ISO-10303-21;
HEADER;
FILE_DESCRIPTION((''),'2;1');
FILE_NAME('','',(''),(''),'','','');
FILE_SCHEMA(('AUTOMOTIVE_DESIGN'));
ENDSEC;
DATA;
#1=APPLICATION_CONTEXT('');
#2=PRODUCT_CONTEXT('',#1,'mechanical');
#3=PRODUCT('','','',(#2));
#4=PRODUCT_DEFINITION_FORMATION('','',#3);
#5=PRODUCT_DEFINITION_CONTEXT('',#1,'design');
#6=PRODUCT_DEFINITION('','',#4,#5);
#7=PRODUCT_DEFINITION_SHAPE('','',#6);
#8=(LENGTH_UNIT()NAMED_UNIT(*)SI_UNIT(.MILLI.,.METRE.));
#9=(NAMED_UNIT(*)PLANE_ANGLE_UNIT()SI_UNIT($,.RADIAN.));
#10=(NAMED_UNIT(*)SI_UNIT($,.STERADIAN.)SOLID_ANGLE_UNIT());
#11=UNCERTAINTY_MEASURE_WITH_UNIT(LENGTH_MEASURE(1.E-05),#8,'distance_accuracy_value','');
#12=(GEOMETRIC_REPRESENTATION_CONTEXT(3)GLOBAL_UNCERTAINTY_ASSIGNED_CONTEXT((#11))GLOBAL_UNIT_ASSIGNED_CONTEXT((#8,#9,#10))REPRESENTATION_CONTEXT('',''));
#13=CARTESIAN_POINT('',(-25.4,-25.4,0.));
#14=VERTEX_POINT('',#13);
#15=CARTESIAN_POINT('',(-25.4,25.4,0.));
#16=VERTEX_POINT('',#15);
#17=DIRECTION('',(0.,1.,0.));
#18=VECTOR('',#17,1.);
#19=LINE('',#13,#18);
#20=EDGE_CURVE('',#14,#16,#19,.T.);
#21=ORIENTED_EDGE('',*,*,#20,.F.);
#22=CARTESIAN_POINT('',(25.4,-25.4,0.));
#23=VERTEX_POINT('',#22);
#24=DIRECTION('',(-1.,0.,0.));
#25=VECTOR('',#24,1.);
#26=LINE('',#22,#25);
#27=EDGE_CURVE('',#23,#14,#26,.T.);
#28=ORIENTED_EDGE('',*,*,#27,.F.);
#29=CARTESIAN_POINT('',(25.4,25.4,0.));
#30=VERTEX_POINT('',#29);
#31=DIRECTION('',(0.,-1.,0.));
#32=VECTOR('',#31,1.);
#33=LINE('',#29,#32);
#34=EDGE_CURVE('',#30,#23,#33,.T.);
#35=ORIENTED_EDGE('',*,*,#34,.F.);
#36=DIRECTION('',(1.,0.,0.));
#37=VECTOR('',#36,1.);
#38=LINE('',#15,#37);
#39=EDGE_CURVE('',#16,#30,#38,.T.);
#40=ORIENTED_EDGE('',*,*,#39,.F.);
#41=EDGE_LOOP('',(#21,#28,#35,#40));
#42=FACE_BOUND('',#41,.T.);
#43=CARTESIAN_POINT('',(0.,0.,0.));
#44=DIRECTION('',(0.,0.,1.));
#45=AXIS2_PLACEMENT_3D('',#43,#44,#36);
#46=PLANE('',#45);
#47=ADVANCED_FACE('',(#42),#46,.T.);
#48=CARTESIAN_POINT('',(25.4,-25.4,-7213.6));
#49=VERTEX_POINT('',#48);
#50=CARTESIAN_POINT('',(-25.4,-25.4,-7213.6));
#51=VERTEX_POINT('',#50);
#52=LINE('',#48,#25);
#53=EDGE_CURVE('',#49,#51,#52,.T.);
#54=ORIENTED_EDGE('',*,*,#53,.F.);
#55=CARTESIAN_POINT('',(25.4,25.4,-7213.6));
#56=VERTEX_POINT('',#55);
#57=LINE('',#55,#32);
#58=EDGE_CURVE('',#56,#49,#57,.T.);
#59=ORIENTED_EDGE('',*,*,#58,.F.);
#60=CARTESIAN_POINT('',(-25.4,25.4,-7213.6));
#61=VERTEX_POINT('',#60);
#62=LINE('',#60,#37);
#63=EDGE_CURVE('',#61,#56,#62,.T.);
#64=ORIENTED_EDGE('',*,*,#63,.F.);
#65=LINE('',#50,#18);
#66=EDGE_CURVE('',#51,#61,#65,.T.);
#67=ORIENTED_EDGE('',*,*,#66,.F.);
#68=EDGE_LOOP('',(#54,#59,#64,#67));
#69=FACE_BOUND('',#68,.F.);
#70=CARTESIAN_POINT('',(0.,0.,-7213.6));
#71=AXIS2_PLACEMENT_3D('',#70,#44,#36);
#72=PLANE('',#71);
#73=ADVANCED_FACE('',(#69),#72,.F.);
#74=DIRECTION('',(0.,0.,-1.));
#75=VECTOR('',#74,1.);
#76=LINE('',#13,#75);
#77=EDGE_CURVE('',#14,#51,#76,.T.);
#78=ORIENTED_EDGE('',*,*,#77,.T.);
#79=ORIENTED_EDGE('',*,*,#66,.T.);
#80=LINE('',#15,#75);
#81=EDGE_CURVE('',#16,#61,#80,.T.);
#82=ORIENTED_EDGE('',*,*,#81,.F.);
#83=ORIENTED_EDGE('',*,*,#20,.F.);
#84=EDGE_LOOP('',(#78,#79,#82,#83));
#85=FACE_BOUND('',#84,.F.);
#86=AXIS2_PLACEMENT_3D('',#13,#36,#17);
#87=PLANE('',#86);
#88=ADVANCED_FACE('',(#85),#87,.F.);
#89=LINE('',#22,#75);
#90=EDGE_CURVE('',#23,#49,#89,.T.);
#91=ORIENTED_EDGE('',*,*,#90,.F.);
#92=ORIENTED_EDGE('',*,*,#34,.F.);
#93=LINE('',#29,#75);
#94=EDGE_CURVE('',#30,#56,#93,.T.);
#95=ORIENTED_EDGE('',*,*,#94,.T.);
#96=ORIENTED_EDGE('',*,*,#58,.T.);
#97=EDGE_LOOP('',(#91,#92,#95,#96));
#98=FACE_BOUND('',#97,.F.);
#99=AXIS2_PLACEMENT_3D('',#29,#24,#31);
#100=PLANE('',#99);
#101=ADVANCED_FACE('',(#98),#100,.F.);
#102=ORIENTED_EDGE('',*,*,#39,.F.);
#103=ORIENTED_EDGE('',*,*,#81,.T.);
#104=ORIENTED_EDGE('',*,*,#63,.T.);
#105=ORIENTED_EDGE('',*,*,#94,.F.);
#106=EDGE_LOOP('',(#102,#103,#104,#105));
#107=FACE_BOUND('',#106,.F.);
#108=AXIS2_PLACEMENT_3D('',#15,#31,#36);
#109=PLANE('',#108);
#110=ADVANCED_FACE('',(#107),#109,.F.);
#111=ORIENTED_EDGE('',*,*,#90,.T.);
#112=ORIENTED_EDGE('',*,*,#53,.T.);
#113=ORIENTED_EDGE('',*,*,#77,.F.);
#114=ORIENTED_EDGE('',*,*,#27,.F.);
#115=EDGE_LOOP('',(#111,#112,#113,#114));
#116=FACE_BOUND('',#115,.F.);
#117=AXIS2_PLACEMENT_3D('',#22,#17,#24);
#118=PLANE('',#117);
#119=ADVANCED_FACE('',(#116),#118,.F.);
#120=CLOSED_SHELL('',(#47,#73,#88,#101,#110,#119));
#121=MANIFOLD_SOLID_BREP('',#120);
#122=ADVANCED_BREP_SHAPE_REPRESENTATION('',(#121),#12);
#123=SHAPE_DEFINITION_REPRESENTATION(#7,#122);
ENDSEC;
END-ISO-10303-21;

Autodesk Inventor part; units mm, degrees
ref_plane "YZ Plane" through (0, 0, 0) normal (1, 0, 0) x (0, 1, 0)
ref_plane "XZ Plane" through (0, 0, 0) normal (0, 1, 0) x (-1, 0, 0)
ref_plane "XY Plane" through (0, 0, 0) normal (0, 0, 1) x (1, 0, 0)
sketch "Sketch1" plane through (0, 0, 0) normal (0, 0, 1) x (1, 0, 0)
  line L0 (-25.4, 25.4) -> (25.4, 25.4)
  line L1 (25.4, 25.4) -> (25.4, -25.4)
  line L2 (25.4, -25.4) -> (-25.4, -25.4)
  line L3 (-25.4, -25.4) -> (-25.4, 25.4)
  line L4 (25.4, 25.4) -> (-25.4, -25.4)
  point P0 (0, 0)
  point P1 (0, 0)
  dimension "d0" = 50.8
  dimension "d1" = 50.8
extrude "Extrusion1" add sketch "Sketch1" against normal blind 7213.6
properties part number "Beam--2x2"
